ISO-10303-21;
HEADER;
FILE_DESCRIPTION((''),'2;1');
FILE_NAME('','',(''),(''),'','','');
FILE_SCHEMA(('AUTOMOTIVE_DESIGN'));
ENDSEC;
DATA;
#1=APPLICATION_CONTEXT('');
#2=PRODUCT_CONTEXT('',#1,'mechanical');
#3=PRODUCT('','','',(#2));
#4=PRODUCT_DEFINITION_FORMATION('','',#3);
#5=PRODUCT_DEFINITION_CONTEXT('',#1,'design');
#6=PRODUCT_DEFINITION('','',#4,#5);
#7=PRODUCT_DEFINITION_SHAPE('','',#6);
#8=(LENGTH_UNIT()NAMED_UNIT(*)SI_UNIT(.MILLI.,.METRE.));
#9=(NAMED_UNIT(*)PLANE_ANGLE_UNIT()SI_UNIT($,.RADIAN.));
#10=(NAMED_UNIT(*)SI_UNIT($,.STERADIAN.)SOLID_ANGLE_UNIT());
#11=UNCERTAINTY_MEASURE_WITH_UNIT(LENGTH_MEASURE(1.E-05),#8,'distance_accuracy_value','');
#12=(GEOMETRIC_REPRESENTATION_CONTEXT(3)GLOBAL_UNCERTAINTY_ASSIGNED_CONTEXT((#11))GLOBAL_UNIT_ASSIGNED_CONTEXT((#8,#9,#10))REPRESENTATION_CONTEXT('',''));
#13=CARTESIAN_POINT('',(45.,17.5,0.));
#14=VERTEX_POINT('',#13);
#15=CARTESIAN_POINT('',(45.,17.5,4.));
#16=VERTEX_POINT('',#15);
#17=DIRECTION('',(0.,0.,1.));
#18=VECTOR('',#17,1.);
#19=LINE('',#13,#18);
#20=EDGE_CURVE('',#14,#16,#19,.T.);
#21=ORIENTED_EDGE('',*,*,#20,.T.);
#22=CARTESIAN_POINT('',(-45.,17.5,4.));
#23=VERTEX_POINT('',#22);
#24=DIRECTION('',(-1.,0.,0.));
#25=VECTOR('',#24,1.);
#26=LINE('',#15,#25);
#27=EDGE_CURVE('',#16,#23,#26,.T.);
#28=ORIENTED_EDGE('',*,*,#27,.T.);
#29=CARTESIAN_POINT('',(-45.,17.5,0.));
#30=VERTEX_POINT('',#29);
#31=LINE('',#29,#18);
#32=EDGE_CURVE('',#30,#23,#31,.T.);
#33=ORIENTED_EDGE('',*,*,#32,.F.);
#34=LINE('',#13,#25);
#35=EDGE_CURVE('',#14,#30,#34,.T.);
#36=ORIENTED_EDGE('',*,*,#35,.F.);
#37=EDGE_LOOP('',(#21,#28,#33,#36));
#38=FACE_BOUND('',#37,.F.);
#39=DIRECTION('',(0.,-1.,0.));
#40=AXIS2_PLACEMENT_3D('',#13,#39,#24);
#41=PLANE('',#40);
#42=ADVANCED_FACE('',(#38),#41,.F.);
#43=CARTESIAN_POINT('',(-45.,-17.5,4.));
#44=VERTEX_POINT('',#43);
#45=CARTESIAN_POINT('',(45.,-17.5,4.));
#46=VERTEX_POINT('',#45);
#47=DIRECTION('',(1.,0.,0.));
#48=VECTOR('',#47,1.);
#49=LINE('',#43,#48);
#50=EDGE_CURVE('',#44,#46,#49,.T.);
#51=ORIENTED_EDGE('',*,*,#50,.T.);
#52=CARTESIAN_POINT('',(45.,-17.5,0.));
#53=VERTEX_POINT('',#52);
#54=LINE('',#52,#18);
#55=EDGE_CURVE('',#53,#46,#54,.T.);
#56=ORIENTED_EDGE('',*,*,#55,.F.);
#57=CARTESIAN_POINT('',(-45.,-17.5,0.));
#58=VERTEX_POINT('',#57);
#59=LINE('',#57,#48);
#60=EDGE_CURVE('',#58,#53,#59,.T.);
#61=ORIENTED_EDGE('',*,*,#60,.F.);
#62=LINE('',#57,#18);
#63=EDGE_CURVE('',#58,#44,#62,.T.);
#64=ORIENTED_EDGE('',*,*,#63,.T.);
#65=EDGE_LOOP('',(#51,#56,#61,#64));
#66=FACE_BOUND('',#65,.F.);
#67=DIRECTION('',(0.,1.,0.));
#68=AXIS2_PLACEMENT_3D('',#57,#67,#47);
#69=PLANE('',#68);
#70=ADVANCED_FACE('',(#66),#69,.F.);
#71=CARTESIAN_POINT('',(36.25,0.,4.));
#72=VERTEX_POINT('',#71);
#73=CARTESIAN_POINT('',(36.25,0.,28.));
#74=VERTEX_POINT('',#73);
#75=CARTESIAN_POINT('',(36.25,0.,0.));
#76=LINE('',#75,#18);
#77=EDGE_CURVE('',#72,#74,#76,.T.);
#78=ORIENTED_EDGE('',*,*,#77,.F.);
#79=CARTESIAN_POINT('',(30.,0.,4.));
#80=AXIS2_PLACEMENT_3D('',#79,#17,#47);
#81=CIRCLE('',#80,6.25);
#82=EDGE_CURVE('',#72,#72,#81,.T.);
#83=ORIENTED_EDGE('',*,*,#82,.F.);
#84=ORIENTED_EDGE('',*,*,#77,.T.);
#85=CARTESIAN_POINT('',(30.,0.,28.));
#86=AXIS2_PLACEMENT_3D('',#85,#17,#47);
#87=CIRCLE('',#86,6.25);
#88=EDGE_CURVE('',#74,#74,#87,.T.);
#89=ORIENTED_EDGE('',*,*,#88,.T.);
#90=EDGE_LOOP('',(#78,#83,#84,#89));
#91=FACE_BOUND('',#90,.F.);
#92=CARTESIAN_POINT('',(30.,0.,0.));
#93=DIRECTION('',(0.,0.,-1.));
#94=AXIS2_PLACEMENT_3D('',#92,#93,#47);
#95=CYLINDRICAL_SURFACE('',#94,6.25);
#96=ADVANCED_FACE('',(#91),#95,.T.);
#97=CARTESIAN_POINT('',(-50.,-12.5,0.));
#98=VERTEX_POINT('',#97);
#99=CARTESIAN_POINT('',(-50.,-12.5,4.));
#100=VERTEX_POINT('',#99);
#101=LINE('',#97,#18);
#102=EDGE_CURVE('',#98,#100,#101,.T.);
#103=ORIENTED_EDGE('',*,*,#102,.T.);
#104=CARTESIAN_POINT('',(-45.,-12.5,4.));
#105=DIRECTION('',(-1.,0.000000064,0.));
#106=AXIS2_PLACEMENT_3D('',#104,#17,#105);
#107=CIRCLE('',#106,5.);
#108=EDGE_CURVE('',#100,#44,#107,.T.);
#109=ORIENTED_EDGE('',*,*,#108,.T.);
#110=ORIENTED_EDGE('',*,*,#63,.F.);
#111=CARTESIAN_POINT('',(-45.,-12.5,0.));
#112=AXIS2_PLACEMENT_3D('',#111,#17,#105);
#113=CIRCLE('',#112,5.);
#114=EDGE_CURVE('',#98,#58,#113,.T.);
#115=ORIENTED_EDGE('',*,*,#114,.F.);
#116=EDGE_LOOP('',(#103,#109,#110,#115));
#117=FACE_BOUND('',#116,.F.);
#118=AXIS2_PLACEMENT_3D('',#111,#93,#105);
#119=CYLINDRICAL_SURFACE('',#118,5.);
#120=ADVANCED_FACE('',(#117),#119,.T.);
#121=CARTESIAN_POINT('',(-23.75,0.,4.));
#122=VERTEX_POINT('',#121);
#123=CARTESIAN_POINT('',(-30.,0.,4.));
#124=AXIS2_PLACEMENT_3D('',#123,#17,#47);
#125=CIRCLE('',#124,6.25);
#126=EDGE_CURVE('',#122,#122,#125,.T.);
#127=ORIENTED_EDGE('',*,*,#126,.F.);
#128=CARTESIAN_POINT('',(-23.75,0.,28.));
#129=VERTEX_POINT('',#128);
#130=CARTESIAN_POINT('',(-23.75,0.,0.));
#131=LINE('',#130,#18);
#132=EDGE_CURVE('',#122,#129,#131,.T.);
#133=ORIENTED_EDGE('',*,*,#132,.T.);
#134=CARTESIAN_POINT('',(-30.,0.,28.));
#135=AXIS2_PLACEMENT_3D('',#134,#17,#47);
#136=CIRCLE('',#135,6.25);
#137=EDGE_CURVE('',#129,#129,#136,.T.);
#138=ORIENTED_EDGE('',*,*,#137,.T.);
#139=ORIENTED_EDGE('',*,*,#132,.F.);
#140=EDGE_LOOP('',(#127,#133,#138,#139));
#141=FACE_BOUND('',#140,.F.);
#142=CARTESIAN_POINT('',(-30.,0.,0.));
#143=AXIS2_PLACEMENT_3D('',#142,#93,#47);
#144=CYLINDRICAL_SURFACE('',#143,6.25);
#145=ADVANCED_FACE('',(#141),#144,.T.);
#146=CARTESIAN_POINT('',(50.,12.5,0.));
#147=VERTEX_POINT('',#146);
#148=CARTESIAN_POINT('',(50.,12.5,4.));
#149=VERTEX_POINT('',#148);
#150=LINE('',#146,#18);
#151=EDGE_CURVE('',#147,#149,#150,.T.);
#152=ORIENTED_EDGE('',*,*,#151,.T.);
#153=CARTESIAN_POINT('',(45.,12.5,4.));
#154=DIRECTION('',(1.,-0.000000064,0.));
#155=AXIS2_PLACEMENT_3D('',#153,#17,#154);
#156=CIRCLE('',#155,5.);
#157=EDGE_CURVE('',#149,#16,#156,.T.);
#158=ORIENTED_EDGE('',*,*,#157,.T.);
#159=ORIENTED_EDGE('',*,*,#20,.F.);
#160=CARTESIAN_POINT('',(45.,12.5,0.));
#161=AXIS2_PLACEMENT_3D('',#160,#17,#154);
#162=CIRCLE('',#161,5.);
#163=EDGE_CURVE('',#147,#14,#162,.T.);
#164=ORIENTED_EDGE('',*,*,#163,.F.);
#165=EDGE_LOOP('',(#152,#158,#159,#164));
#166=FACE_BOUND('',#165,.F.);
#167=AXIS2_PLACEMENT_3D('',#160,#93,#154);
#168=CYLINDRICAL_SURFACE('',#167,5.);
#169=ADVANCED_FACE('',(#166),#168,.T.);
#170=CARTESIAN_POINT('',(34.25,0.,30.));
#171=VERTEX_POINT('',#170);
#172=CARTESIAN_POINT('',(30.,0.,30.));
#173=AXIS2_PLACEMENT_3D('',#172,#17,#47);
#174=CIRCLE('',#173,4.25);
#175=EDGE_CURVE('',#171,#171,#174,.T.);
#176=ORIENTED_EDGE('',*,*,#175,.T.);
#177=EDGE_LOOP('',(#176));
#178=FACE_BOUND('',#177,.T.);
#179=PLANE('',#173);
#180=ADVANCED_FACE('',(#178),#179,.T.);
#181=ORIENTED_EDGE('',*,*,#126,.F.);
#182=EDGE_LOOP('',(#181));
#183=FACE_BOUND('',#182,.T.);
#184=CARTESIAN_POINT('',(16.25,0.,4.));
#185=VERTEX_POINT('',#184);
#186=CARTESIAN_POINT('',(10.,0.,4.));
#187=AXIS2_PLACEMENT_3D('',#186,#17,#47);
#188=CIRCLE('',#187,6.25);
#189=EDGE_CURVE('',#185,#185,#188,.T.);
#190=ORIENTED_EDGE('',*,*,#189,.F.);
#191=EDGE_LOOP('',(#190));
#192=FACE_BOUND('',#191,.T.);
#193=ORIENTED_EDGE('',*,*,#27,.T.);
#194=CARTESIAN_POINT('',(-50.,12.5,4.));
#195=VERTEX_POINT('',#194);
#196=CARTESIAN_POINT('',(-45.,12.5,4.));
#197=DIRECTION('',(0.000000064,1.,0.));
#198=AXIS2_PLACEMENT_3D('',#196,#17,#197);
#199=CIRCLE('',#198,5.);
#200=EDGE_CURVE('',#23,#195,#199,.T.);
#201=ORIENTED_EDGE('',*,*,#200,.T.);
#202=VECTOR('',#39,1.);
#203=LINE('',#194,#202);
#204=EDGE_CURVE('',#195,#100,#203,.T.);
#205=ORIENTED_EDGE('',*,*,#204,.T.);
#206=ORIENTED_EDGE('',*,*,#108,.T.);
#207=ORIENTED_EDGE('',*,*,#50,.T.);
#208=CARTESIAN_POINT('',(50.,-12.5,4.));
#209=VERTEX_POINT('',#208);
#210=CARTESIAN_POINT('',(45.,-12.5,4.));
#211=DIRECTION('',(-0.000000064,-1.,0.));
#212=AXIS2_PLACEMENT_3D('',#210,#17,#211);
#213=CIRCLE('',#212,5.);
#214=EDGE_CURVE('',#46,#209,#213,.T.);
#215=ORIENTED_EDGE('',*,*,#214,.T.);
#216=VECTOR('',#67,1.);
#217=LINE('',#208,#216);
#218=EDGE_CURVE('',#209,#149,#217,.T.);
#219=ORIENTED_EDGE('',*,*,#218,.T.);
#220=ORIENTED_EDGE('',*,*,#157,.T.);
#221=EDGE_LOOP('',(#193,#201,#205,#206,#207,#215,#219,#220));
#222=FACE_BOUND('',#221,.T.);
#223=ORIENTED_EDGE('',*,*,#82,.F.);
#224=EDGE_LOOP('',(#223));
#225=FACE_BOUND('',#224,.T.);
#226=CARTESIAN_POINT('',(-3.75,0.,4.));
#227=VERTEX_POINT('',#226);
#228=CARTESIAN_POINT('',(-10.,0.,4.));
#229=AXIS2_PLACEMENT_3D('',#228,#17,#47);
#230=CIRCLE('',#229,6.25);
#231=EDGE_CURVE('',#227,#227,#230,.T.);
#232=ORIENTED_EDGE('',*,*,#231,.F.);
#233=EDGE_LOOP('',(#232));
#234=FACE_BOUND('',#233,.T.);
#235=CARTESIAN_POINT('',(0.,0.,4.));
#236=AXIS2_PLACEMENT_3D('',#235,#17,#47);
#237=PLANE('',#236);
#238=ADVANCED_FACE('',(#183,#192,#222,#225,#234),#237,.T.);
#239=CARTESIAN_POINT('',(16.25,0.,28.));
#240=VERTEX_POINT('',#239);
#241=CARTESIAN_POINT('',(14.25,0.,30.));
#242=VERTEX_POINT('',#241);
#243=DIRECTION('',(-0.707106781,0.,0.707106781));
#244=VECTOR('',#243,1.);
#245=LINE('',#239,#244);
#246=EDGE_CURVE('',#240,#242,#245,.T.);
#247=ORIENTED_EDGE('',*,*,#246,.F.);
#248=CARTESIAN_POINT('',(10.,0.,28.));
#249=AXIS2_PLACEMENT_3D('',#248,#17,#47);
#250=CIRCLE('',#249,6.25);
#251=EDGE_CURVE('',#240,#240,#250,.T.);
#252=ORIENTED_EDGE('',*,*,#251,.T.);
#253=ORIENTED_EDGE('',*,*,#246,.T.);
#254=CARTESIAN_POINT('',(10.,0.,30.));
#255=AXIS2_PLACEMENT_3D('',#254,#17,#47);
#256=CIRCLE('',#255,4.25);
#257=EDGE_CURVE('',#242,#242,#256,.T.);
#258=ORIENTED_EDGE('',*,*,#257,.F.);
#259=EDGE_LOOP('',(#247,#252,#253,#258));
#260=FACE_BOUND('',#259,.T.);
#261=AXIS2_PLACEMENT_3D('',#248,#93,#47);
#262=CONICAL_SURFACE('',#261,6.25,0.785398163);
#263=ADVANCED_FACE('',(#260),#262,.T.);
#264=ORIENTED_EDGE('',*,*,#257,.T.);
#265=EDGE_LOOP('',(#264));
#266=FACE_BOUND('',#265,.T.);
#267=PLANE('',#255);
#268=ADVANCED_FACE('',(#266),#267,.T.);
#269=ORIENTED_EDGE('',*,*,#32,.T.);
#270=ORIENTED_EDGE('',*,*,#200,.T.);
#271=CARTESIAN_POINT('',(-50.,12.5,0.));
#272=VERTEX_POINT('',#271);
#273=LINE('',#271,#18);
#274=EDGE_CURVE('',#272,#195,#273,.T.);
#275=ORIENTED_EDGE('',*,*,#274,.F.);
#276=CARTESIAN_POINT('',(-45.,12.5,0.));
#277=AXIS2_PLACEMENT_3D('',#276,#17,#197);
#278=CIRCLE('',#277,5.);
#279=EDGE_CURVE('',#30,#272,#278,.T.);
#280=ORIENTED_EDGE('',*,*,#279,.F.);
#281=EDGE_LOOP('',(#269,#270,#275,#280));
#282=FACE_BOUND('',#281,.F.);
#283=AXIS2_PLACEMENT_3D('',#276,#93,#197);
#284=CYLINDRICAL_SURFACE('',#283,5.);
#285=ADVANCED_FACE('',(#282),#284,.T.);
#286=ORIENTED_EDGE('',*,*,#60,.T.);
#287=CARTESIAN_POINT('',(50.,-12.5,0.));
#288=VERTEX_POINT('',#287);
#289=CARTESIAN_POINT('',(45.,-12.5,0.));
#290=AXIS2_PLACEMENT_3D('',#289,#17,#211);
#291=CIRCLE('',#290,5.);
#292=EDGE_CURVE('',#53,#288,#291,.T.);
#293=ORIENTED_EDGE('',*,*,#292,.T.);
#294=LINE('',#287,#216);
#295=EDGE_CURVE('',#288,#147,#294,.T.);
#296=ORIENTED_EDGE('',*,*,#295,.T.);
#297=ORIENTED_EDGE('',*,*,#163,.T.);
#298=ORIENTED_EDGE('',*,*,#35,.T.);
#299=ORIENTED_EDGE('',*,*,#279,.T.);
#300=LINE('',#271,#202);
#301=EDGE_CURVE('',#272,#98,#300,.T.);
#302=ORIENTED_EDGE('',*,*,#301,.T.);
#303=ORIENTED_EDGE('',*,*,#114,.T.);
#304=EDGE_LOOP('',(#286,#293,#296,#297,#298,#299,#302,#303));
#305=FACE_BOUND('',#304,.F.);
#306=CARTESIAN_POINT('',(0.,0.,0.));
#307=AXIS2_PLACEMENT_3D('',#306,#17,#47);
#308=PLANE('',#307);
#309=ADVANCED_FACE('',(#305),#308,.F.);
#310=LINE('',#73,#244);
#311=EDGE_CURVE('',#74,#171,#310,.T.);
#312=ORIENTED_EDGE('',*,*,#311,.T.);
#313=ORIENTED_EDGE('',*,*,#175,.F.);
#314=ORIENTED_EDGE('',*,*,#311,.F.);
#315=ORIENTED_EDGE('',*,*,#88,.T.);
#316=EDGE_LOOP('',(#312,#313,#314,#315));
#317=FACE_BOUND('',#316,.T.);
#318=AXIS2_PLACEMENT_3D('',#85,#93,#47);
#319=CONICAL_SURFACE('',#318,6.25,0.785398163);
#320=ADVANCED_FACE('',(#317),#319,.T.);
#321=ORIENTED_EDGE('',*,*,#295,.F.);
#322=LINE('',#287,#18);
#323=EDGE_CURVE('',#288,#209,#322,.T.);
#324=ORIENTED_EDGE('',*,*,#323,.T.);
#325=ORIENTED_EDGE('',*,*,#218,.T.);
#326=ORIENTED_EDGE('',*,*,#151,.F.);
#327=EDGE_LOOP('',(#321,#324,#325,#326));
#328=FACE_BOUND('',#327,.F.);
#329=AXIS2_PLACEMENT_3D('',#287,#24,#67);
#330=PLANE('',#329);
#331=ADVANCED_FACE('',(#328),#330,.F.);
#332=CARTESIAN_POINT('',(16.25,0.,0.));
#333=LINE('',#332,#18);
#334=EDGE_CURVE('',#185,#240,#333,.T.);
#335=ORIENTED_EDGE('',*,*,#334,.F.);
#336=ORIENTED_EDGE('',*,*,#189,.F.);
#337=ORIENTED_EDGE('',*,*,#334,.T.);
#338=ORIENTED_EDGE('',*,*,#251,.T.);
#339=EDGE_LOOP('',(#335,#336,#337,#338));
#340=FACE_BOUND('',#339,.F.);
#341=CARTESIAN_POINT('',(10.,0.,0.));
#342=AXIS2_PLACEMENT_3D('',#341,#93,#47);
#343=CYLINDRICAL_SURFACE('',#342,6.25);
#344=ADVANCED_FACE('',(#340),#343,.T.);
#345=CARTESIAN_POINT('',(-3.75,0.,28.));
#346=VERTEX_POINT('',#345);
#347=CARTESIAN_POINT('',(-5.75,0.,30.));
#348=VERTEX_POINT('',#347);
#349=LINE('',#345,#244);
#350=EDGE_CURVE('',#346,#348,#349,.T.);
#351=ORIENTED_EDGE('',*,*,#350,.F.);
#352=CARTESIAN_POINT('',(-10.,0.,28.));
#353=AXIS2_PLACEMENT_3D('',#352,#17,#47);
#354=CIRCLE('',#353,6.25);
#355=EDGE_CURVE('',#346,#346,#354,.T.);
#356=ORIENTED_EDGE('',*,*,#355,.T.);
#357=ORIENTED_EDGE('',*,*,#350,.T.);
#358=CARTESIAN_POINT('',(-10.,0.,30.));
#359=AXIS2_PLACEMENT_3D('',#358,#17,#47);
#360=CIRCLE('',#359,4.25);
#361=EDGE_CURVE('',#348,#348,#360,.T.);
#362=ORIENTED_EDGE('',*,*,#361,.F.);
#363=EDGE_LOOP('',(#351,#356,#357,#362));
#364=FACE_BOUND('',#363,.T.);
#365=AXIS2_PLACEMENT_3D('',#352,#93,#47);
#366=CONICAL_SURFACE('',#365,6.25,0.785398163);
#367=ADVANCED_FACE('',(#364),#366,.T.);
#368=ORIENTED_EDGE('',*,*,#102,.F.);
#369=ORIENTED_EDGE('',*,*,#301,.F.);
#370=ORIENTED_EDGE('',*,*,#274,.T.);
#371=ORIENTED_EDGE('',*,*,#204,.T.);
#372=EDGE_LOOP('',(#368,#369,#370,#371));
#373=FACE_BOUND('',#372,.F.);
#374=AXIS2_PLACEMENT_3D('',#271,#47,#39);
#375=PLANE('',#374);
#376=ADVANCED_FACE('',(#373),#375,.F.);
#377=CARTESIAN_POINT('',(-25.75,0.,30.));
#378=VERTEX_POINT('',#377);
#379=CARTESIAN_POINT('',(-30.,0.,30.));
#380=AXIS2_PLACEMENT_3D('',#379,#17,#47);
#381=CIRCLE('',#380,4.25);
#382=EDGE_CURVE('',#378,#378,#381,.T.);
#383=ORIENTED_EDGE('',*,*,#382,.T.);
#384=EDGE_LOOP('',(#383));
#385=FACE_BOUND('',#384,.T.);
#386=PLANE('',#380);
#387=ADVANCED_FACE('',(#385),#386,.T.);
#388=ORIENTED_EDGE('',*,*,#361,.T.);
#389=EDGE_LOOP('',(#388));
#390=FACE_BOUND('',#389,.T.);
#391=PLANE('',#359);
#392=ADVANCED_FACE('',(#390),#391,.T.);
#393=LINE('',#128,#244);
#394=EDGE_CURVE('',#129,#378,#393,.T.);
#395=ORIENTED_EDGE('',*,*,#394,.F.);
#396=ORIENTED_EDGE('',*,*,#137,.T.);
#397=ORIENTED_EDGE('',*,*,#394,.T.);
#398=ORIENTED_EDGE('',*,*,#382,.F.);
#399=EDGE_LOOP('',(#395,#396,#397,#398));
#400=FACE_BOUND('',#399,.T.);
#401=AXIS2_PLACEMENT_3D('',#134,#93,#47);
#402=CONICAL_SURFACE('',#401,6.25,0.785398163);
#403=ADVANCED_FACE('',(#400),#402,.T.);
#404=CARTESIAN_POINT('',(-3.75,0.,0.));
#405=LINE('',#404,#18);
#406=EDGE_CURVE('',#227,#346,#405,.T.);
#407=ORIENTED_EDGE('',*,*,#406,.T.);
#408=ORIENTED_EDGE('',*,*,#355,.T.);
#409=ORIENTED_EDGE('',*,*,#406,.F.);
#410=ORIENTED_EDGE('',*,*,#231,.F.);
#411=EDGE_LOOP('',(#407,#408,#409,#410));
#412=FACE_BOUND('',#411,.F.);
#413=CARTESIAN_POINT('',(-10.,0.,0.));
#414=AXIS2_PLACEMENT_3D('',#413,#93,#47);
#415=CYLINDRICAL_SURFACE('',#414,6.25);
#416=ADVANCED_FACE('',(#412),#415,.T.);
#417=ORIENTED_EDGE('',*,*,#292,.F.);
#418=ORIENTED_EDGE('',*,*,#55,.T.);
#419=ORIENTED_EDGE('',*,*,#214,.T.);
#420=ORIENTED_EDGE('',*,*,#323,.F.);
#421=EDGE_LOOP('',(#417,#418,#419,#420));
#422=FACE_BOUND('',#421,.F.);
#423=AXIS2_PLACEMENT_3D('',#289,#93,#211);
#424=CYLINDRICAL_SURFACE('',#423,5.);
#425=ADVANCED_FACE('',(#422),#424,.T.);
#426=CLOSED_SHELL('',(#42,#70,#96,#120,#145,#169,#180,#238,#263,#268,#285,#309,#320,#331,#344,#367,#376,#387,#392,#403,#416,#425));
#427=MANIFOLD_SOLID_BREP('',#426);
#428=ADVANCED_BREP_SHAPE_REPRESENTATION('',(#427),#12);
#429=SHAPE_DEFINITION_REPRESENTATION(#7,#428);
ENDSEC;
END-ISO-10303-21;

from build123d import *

# Parameters (mm, degrees)
F0_R     = 6.25
F1_DEPTH = 30
F2_DEPTH = 4
F3_SIZE  = 2


with BuildPart() as f1:
    # F0 (on Top) → F1 (new body)
    with BuildSketch(Plane.XY):
        with Locations((-30, 0)):
            Circle(F0_R)
        with Locations((-10, 0)):
            Circle(F0_R)
        with Locations((10, 0)):
            Circle(F0_R)
        with Locations((30, 0)):
            Circle(F0_R)
    extrude(amount=F1_DEPTH)

    # F0 (on Top) → F2 (join)
    with BuildSketch(Plane.XY):
        with BuildLine():
            ThreePointArc((50, 12.5), (48.535534, 16.035534), (45, 17.5))
            Line((45, 17.5), (-45, 17.5))
            ThreePointArc((-45, 17.5), (-48.535534, 16.035534), (-50, 12.5))
            Line((-50, 12.5), (-50, -12.5))
            ThreePointArc((-50, -12.5), (-48.535534, -16.035534), (-45, -17.5))
            Line((-45, -17.5), (45, -17.5))
            ThreePointArc((45, -17.5), (48.535534, -16.035534), (50, -12.5))
            Line((50, -12.5), (50, 12.5))
        make_face()
        with Locations((-30, 0)):
            Circle(F0_R, mode=Mode.SUBTRACT)
        with Locations((-10, 0)):
            Circle(F0_R, mode=Mode.SUBTRACT)
        with Locations((10, 0)):
            Circle(F0_R, mode=Mode.SUBTRACT)
        with Locations((30, 0)):
            Circle(F0_R, mode=Mode.SUBTRACT)
    extrude(amount=F2_DEPTH)

    # F3
    f3_edges = [f1.edges().sort_by_distance(p)[0] for p in [
        (-36.25, 0, 30),
        (-16.25, 0, 30),
        (3.75, 0, 30),
        (23.75, 0, 30),
    ]]
    chamfer(f3_edges, length=F3_SIZE)


solid = f1.part
